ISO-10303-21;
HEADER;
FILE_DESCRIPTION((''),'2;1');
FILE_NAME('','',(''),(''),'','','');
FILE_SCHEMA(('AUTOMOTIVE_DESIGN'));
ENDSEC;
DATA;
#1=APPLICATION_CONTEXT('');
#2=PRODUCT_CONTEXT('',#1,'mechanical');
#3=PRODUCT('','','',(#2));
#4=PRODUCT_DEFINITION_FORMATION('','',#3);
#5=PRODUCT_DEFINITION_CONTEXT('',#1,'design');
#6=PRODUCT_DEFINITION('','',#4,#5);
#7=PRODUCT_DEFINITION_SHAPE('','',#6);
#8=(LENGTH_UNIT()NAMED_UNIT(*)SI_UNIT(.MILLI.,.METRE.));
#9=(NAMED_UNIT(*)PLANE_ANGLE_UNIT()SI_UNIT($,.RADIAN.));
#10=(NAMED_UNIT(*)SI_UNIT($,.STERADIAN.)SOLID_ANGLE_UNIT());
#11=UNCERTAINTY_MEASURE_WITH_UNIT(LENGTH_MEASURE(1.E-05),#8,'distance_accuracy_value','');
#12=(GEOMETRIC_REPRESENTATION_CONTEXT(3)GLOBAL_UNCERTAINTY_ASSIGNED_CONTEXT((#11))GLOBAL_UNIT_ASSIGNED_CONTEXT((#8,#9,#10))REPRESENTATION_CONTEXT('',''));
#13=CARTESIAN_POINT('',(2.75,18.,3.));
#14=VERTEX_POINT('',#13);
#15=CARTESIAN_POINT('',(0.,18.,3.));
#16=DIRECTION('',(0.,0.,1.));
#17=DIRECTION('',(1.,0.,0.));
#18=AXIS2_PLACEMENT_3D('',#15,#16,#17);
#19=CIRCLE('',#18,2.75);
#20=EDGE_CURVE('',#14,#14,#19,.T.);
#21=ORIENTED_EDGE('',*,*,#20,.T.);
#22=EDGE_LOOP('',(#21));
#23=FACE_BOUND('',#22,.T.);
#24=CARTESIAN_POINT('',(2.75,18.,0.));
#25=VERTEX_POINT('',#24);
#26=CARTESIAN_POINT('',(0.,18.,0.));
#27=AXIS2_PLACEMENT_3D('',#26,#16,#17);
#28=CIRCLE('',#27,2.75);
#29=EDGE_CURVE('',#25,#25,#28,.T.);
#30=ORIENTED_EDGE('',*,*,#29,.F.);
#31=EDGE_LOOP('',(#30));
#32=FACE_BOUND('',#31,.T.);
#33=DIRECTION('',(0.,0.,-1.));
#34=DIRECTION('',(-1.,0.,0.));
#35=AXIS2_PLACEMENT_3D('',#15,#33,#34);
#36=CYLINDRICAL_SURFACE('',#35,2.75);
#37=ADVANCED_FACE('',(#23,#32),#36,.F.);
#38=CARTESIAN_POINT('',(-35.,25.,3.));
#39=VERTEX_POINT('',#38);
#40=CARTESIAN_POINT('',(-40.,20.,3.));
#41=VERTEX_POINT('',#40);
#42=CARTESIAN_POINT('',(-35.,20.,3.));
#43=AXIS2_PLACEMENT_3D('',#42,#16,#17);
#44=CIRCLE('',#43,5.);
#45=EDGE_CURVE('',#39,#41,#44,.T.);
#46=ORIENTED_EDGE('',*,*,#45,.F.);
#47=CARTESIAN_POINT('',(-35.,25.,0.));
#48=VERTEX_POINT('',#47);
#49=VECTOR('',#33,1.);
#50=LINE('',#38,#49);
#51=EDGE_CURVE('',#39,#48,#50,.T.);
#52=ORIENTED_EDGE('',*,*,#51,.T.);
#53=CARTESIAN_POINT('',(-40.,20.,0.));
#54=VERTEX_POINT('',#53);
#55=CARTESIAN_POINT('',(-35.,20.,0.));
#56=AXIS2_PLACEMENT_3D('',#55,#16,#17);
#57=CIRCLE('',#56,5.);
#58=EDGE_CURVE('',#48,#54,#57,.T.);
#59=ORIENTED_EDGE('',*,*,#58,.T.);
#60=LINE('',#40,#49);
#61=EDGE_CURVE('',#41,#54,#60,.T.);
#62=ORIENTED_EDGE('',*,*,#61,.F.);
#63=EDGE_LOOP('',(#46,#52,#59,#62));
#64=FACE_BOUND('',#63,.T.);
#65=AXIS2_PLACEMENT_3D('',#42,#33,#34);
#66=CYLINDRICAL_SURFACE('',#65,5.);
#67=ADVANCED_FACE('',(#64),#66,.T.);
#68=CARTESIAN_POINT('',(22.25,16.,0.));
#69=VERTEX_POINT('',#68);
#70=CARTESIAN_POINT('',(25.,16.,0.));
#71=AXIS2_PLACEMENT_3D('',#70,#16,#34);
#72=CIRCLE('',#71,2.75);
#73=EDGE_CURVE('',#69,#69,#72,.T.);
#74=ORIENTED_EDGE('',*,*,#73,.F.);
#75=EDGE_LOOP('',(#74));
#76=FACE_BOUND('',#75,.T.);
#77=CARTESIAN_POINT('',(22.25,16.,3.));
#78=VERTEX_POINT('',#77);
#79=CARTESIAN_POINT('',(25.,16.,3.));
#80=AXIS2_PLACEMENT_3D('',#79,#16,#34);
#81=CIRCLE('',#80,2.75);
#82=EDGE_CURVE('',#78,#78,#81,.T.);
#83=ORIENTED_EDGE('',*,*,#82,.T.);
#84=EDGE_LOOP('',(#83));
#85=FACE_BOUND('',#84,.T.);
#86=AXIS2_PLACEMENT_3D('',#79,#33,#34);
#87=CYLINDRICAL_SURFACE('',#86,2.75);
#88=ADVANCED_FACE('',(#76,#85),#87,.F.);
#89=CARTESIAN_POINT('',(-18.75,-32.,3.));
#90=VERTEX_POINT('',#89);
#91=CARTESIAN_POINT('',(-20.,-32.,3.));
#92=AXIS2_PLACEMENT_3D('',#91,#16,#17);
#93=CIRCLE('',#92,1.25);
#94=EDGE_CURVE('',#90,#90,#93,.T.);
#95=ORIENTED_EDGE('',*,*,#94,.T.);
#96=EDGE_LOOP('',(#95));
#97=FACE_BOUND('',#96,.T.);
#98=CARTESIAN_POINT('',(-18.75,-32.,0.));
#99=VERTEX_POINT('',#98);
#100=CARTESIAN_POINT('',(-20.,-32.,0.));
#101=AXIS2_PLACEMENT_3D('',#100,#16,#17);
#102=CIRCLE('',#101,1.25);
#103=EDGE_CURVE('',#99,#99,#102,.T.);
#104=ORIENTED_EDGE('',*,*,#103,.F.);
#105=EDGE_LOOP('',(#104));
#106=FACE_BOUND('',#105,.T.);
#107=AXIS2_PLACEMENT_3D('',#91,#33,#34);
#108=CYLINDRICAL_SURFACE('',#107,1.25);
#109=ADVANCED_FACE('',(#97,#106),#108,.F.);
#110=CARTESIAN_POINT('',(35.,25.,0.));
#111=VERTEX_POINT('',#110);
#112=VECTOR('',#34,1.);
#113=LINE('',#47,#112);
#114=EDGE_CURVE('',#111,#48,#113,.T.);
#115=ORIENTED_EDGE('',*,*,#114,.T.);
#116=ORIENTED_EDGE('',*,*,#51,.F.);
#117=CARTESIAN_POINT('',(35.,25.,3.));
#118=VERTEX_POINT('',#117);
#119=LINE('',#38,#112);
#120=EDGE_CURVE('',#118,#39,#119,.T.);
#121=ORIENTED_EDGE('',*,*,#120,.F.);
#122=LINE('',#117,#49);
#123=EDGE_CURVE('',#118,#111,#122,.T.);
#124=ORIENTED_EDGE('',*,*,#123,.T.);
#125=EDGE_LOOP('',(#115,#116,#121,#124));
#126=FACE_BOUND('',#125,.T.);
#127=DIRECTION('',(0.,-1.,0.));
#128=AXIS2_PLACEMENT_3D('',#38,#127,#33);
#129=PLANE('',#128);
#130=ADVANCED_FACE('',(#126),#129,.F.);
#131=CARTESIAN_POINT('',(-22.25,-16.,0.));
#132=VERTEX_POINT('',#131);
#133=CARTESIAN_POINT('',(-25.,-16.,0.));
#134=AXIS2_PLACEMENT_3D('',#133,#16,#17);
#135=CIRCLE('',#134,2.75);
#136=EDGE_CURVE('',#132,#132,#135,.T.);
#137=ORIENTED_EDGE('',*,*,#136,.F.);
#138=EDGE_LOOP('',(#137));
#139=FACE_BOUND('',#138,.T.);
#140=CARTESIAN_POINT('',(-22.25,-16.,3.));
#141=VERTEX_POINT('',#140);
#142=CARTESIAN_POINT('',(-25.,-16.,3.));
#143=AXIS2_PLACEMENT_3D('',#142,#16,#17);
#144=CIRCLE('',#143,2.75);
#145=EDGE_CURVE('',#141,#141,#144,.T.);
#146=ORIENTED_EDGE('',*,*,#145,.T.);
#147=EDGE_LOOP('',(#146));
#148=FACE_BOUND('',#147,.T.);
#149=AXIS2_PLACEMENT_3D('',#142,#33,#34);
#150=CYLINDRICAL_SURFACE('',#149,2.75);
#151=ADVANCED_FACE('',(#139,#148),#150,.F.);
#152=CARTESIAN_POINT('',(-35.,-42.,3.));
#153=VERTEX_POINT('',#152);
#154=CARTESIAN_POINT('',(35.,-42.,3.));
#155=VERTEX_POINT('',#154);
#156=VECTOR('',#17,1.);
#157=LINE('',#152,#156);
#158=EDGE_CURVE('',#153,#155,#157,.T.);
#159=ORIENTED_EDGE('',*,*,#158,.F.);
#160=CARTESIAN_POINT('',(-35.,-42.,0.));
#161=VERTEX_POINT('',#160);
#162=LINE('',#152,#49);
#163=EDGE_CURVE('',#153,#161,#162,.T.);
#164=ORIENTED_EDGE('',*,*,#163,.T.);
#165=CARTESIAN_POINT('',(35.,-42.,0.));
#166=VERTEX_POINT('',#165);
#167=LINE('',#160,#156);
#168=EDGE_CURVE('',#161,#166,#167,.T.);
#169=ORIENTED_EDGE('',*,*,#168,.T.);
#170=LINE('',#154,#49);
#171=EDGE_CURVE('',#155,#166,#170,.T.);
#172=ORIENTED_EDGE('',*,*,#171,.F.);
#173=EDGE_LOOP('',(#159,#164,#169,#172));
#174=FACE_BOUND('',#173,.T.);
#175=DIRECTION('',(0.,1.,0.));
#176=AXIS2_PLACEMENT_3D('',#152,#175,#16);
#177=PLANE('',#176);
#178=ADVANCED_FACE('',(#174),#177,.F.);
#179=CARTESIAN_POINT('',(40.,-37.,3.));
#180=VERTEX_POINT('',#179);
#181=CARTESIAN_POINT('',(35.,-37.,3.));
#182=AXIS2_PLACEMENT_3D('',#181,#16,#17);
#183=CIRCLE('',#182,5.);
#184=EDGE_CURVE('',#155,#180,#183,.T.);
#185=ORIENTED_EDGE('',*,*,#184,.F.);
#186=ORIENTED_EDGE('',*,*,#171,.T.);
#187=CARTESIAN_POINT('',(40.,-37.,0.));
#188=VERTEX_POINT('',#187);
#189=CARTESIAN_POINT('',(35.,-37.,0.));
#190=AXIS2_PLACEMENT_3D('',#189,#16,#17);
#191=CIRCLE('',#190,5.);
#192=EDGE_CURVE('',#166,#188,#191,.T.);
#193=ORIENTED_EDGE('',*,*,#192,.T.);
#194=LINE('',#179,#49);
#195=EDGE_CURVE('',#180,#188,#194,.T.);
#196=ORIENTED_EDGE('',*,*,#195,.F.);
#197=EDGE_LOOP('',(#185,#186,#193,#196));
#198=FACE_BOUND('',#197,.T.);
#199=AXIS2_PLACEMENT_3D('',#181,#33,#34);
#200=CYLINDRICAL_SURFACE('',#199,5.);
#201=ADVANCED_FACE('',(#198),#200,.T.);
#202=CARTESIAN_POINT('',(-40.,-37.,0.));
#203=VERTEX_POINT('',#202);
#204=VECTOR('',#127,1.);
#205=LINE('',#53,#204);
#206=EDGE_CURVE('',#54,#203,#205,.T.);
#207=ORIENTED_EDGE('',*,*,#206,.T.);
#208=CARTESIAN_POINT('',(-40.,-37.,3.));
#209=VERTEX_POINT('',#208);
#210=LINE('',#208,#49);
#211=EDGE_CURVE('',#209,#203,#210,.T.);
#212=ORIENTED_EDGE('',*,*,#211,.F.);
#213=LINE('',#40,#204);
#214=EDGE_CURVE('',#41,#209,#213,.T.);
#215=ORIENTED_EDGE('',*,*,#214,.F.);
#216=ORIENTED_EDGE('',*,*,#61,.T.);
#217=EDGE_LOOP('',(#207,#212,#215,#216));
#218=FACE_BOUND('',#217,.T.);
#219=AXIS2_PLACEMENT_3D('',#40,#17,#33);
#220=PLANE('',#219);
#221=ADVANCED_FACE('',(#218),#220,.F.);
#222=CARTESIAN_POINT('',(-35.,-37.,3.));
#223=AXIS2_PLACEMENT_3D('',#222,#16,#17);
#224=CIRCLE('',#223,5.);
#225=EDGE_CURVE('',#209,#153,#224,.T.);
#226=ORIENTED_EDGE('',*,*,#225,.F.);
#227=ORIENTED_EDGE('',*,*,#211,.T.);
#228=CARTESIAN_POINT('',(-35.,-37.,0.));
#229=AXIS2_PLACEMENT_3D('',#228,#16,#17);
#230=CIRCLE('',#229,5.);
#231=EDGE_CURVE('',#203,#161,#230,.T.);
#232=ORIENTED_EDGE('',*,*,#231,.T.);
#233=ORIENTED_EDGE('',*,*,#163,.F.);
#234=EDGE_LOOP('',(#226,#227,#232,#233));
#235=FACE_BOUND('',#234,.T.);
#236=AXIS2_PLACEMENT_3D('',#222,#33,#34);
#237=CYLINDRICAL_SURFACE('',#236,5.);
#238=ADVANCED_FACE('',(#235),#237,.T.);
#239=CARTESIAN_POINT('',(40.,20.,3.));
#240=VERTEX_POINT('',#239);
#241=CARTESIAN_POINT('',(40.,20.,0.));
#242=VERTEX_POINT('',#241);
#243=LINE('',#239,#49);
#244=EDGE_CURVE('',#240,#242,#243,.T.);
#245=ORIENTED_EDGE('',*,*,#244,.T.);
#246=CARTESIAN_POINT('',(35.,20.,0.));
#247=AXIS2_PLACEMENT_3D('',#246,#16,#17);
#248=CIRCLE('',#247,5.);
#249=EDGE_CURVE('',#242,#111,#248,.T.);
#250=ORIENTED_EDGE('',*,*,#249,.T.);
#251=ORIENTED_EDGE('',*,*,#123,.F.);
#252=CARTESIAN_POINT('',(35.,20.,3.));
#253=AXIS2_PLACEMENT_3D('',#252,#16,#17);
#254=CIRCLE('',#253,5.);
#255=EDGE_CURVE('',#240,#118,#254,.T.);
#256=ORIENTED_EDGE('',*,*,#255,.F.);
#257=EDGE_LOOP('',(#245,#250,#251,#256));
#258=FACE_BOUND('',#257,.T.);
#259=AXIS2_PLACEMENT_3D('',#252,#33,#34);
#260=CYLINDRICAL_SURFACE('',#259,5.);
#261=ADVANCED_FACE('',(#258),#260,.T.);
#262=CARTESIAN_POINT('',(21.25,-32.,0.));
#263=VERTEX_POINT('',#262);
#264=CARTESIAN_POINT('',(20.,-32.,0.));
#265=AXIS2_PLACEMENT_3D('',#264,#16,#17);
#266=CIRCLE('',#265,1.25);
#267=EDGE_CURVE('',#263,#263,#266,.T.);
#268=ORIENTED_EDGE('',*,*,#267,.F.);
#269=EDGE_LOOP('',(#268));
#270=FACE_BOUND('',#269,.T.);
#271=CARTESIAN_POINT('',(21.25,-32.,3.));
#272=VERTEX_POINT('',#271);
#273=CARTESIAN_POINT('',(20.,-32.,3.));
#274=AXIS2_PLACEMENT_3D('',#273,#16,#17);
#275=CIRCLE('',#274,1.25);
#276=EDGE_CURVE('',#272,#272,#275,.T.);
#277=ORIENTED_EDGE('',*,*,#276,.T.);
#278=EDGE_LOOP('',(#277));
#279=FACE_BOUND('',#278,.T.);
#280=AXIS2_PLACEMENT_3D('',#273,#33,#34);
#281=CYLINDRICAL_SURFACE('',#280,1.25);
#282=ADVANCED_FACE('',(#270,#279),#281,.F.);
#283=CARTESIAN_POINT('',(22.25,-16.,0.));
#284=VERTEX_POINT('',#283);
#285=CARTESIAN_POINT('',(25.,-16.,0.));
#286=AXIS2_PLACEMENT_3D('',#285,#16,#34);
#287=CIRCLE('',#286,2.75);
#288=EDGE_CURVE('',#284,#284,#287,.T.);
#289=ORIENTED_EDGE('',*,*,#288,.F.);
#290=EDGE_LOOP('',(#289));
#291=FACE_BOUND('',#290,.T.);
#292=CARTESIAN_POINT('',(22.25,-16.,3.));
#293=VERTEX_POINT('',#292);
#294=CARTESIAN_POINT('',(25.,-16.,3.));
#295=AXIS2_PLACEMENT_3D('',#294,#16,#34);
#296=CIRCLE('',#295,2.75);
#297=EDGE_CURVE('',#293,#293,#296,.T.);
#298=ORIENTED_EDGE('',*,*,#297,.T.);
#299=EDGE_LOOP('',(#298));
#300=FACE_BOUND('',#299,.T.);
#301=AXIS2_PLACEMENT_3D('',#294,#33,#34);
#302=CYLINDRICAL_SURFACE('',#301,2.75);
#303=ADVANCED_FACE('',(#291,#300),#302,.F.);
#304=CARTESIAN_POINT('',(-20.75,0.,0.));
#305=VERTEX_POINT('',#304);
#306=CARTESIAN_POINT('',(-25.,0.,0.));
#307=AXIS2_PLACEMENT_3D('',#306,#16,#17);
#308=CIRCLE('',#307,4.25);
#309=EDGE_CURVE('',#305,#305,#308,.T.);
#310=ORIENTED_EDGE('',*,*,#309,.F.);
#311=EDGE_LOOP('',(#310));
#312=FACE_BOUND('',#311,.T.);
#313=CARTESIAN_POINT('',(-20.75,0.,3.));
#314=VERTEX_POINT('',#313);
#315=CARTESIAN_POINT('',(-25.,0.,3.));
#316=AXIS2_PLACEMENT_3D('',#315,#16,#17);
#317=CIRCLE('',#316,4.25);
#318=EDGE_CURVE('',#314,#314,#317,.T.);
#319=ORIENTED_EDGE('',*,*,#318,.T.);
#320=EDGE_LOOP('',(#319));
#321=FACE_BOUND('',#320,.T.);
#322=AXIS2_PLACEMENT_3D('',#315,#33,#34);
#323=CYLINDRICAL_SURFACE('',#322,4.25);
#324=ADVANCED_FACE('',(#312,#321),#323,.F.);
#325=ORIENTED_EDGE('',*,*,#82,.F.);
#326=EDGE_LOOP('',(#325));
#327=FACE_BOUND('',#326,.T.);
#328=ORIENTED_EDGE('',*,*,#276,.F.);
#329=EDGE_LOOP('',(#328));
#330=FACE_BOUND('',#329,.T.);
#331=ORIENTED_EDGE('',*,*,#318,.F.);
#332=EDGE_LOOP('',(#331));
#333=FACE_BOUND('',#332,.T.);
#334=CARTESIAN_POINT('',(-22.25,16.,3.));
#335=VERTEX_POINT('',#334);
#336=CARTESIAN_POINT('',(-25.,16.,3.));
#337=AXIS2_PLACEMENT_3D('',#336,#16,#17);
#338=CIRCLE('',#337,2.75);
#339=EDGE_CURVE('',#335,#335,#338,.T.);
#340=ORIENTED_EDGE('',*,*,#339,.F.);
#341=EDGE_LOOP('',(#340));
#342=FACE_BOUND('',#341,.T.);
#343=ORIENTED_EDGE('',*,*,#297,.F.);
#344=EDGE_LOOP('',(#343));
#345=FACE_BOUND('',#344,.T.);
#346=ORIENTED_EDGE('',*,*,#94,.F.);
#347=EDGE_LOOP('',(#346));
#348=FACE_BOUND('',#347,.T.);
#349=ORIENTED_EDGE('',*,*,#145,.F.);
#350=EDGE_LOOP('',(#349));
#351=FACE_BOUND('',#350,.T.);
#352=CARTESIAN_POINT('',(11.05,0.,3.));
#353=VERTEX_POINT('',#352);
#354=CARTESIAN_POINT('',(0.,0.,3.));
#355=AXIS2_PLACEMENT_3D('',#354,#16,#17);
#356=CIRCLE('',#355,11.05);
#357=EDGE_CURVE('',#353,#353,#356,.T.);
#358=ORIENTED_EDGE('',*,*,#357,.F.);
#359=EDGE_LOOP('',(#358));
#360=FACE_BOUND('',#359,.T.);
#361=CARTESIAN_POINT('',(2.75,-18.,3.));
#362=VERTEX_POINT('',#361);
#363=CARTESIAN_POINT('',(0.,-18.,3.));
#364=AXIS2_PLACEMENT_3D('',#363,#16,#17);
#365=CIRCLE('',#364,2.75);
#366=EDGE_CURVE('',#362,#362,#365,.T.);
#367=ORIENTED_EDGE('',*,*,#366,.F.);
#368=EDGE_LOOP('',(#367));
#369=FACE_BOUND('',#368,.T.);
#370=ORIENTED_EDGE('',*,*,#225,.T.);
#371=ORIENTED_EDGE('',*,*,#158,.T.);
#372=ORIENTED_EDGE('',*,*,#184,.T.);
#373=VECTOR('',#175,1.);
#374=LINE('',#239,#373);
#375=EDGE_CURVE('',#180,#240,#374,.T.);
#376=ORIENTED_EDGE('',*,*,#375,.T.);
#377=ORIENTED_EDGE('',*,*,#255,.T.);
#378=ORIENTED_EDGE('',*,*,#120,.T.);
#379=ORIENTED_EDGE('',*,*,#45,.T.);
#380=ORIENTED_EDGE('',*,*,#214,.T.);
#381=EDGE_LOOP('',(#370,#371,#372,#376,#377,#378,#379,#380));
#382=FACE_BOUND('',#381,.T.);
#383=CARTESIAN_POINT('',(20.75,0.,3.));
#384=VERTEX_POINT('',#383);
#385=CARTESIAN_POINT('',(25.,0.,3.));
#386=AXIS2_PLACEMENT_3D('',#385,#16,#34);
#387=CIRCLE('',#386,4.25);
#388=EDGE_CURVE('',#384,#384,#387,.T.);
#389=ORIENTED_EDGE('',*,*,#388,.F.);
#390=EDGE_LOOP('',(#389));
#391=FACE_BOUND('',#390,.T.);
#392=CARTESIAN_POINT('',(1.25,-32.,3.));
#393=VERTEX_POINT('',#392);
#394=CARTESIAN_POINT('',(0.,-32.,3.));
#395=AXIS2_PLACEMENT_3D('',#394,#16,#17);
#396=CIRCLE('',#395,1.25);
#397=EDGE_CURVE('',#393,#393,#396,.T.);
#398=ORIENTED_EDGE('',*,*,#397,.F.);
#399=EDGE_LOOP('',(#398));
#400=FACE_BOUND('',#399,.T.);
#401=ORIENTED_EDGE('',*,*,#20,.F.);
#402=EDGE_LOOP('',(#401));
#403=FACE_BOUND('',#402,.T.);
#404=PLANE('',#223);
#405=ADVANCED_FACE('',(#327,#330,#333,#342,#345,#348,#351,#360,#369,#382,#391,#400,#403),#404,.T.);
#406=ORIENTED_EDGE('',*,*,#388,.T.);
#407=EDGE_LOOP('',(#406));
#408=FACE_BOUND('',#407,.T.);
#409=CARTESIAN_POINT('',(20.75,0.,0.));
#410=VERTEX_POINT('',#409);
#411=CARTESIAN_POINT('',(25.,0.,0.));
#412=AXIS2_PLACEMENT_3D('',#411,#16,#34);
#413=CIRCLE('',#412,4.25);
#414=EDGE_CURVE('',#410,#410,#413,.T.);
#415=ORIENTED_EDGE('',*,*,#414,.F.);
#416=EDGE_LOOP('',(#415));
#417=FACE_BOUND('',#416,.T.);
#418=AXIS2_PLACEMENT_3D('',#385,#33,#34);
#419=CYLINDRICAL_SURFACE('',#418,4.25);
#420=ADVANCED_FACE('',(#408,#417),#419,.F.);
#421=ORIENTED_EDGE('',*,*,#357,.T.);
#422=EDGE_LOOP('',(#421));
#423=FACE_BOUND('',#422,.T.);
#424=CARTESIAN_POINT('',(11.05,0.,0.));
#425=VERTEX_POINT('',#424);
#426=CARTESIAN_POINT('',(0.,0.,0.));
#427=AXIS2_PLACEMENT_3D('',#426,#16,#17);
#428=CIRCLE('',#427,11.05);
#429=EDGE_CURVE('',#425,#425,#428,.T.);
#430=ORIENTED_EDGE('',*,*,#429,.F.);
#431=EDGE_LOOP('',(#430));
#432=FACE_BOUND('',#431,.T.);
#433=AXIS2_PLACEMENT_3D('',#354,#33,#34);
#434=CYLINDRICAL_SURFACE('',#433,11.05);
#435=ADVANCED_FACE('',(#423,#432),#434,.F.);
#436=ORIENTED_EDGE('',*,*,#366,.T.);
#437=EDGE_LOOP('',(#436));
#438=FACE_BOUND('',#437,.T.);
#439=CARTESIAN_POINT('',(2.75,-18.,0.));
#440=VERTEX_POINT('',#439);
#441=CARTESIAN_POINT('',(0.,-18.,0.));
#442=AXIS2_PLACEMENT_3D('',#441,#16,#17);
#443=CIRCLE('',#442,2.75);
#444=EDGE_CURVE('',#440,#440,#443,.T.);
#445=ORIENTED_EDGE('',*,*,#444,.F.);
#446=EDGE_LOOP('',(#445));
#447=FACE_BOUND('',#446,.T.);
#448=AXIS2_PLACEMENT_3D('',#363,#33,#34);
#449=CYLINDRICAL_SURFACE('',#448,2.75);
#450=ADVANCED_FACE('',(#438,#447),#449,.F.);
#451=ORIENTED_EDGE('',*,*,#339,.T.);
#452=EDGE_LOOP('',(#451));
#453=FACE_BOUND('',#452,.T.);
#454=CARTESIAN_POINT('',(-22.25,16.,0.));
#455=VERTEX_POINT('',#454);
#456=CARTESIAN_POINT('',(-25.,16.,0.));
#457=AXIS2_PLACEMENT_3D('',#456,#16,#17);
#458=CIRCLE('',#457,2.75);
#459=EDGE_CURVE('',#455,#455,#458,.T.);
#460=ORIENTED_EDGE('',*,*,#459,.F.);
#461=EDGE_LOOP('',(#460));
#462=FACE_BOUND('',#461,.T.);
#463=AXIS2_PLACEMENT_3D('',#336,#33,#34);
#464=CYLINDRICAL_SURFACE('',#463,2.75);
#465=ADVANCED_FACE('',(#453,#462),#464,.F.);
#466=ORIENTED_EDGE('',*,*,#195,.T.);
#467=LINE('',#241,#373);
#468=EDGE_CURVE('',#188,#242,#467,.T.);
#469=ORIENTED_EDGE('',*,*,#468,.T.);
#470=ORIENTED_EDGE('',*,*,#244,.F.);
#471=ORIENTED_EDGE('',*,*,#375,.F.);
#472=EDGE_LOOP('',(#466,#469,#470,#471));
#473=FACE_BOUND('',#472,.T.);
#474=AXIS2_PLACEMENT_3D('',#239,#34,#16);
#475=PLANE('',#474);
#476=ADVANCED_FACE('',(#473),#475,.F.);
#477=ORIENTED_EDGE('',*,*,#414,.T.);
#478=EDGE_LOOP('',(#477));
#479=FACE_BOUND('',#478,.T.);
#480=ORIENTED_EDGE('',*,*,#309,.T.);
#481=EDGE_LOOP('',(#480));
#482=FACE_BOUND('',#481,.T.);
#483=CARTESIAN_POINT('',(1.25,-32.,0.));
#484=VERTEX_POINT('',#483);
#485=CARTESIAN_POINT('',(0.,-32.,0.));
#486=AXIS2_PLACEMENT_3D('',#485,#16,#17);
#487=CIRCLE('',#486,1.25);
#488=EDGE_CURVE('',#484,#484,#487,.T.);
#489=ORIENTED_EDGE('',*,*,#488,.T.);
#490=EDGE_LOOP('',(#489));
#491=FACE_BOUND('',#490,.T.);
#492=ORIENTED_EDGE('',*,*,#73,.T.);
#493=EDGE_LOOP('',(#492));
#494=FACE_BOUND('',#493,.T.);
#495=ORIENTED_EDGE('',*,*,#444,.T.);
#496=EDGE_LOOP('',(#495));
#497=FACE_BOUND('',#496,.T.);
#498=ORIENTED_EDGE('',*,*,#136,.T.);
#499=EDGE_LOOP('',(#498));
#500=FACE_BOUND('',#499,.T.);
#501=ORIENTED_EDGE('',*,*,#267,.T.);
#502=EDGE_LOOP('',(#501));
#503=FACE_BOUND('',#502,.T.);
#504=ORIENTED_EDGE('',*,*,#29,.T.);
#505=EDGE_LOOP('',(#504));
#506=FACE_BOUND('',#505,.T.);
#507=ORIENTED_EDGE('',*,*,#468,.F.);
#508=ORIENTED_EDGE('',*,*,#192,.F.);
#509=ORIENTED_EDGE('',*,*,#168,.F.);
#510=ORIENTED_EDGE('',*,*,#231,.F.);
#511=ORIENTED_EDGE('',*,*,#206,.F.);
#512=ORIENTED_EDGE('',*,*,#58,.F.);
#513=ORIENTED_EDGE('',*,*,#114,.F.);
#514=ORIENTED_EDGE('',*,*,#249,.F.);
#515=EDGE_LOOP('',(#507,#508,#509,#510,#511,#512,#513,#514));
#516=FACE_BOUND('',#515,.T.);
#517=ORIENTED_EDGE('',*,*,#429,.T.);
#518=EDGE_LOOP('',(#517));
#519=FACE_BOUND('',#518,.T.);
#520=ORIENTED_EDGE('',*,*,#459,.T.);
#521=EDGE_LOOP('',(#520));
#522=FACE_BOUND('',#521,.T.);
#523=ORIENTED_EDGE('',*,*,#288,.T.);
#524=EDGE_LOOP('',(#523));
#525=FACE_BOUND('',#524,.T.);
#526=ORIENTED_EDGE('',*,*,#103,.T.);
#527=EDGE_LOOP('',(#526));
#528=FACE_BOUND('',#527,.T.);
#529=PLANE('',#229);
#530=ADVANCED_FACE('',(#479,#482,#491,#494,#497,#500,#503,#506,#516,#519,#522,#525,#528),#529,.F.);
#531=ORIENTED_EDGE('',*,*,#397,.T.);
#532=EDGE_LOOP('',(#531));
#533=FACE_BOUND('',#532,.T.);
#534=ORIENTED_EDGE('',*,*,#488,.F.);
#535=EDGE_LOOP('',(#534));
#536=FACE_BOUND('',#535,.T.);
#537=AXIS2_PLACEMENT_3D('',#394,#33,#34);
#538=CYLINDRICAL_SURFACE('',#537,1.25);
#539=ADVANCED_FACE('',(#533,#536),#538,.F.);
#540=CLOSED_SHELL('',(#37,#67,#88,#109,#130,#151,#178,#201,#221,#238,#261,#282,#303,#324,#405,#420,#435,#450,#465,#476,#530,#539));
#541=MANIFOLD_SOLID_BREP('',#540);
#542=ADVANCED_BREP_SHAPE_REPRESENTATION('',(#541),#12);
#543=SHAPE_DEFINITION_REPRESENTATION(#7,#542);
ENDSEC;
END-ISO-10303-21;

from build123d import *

# Parameters (mm, degrees)
SKETCH_1_R      = 11.05
SKETCH_1_R_2    = 2.75
SKETCH_1_R_3    = 1.25
SKETCH_1_R_4    = 4.25
EXTRUDE_1_DEPTH = 3


with BuildPart() as part:
    # 草图1 → 凸台-拉伸1 (new body)
    with BuildSketch(Plane.XY):
        with BuildLine():
            Line((-40, 20), (-40, -37))
            ThreePointArc((-40, -37), (-38.535533906, -40.535533906), (-35, -42))
            Line((-35, -42), (35, -42))
            ThreePointArc((35, -42), (38.535533906, -40.535533906), (40, -37))
            Line((40, -37), (40, 20))
            ThreePointArc((40, 20), (38.535533906, 23.535533906), (35, 25))
            Line((35, 25), (-35, 25))
            ThreePointArc((-35, 25), (-38.535533906, 23.535533906), (-40, 20))
        make_face()
        Circle(SKETCH_1_R, mode=Mode.SUBTRACT)
        with Locations((-25, 16)):
            Circle(SKETCH_1_R_2, mode=Mode.SUBTRACT)
        with Locations((-25, -16)):
            Circle(SKETCH_1_R_2, mode=Mode.SUBTRACT)
        with Locations((25, -16)):
            Circle(SKETCH_1_R_2, mode=Mode.SUBTRACT)
        with Locations((25, 16)):
            Circle(SKETCH_1_R_2, mode=Mode.SUBTRACT)
        with Locations((0, -32)):
            Circle(SKETCH_1_R_3, mode=Mode.SUBTRACT)
        with Locations((-20, -32)):
            Circle(SKETCH_1_R_3, mode=Mode.SUBTRACT)
        with Locations((20, -32)):
            Circle(SKETCH_1_R_3, mode=Mode.SUBTRACT)
        with Locations((-25, 0)):
            Circle(SKETCH_1_R_4, mode=Mode.SUBTRACT)
        with Locations((25, 0)):
            Circle(SKETCH_1_R_4, mode=Mode.SUBTRACT)
        with Locations((0, 18)):
            Circle(SKETCH_1_R_2, mode=Mode.SUBTRACT)
        with Locations((0, -18)):
            Circle(SKETCH_1_R_2, mode=Mode.SUBTRACT)
    extrude(amount=EXTRUDE_1_DEPTH)


solid = part.part
